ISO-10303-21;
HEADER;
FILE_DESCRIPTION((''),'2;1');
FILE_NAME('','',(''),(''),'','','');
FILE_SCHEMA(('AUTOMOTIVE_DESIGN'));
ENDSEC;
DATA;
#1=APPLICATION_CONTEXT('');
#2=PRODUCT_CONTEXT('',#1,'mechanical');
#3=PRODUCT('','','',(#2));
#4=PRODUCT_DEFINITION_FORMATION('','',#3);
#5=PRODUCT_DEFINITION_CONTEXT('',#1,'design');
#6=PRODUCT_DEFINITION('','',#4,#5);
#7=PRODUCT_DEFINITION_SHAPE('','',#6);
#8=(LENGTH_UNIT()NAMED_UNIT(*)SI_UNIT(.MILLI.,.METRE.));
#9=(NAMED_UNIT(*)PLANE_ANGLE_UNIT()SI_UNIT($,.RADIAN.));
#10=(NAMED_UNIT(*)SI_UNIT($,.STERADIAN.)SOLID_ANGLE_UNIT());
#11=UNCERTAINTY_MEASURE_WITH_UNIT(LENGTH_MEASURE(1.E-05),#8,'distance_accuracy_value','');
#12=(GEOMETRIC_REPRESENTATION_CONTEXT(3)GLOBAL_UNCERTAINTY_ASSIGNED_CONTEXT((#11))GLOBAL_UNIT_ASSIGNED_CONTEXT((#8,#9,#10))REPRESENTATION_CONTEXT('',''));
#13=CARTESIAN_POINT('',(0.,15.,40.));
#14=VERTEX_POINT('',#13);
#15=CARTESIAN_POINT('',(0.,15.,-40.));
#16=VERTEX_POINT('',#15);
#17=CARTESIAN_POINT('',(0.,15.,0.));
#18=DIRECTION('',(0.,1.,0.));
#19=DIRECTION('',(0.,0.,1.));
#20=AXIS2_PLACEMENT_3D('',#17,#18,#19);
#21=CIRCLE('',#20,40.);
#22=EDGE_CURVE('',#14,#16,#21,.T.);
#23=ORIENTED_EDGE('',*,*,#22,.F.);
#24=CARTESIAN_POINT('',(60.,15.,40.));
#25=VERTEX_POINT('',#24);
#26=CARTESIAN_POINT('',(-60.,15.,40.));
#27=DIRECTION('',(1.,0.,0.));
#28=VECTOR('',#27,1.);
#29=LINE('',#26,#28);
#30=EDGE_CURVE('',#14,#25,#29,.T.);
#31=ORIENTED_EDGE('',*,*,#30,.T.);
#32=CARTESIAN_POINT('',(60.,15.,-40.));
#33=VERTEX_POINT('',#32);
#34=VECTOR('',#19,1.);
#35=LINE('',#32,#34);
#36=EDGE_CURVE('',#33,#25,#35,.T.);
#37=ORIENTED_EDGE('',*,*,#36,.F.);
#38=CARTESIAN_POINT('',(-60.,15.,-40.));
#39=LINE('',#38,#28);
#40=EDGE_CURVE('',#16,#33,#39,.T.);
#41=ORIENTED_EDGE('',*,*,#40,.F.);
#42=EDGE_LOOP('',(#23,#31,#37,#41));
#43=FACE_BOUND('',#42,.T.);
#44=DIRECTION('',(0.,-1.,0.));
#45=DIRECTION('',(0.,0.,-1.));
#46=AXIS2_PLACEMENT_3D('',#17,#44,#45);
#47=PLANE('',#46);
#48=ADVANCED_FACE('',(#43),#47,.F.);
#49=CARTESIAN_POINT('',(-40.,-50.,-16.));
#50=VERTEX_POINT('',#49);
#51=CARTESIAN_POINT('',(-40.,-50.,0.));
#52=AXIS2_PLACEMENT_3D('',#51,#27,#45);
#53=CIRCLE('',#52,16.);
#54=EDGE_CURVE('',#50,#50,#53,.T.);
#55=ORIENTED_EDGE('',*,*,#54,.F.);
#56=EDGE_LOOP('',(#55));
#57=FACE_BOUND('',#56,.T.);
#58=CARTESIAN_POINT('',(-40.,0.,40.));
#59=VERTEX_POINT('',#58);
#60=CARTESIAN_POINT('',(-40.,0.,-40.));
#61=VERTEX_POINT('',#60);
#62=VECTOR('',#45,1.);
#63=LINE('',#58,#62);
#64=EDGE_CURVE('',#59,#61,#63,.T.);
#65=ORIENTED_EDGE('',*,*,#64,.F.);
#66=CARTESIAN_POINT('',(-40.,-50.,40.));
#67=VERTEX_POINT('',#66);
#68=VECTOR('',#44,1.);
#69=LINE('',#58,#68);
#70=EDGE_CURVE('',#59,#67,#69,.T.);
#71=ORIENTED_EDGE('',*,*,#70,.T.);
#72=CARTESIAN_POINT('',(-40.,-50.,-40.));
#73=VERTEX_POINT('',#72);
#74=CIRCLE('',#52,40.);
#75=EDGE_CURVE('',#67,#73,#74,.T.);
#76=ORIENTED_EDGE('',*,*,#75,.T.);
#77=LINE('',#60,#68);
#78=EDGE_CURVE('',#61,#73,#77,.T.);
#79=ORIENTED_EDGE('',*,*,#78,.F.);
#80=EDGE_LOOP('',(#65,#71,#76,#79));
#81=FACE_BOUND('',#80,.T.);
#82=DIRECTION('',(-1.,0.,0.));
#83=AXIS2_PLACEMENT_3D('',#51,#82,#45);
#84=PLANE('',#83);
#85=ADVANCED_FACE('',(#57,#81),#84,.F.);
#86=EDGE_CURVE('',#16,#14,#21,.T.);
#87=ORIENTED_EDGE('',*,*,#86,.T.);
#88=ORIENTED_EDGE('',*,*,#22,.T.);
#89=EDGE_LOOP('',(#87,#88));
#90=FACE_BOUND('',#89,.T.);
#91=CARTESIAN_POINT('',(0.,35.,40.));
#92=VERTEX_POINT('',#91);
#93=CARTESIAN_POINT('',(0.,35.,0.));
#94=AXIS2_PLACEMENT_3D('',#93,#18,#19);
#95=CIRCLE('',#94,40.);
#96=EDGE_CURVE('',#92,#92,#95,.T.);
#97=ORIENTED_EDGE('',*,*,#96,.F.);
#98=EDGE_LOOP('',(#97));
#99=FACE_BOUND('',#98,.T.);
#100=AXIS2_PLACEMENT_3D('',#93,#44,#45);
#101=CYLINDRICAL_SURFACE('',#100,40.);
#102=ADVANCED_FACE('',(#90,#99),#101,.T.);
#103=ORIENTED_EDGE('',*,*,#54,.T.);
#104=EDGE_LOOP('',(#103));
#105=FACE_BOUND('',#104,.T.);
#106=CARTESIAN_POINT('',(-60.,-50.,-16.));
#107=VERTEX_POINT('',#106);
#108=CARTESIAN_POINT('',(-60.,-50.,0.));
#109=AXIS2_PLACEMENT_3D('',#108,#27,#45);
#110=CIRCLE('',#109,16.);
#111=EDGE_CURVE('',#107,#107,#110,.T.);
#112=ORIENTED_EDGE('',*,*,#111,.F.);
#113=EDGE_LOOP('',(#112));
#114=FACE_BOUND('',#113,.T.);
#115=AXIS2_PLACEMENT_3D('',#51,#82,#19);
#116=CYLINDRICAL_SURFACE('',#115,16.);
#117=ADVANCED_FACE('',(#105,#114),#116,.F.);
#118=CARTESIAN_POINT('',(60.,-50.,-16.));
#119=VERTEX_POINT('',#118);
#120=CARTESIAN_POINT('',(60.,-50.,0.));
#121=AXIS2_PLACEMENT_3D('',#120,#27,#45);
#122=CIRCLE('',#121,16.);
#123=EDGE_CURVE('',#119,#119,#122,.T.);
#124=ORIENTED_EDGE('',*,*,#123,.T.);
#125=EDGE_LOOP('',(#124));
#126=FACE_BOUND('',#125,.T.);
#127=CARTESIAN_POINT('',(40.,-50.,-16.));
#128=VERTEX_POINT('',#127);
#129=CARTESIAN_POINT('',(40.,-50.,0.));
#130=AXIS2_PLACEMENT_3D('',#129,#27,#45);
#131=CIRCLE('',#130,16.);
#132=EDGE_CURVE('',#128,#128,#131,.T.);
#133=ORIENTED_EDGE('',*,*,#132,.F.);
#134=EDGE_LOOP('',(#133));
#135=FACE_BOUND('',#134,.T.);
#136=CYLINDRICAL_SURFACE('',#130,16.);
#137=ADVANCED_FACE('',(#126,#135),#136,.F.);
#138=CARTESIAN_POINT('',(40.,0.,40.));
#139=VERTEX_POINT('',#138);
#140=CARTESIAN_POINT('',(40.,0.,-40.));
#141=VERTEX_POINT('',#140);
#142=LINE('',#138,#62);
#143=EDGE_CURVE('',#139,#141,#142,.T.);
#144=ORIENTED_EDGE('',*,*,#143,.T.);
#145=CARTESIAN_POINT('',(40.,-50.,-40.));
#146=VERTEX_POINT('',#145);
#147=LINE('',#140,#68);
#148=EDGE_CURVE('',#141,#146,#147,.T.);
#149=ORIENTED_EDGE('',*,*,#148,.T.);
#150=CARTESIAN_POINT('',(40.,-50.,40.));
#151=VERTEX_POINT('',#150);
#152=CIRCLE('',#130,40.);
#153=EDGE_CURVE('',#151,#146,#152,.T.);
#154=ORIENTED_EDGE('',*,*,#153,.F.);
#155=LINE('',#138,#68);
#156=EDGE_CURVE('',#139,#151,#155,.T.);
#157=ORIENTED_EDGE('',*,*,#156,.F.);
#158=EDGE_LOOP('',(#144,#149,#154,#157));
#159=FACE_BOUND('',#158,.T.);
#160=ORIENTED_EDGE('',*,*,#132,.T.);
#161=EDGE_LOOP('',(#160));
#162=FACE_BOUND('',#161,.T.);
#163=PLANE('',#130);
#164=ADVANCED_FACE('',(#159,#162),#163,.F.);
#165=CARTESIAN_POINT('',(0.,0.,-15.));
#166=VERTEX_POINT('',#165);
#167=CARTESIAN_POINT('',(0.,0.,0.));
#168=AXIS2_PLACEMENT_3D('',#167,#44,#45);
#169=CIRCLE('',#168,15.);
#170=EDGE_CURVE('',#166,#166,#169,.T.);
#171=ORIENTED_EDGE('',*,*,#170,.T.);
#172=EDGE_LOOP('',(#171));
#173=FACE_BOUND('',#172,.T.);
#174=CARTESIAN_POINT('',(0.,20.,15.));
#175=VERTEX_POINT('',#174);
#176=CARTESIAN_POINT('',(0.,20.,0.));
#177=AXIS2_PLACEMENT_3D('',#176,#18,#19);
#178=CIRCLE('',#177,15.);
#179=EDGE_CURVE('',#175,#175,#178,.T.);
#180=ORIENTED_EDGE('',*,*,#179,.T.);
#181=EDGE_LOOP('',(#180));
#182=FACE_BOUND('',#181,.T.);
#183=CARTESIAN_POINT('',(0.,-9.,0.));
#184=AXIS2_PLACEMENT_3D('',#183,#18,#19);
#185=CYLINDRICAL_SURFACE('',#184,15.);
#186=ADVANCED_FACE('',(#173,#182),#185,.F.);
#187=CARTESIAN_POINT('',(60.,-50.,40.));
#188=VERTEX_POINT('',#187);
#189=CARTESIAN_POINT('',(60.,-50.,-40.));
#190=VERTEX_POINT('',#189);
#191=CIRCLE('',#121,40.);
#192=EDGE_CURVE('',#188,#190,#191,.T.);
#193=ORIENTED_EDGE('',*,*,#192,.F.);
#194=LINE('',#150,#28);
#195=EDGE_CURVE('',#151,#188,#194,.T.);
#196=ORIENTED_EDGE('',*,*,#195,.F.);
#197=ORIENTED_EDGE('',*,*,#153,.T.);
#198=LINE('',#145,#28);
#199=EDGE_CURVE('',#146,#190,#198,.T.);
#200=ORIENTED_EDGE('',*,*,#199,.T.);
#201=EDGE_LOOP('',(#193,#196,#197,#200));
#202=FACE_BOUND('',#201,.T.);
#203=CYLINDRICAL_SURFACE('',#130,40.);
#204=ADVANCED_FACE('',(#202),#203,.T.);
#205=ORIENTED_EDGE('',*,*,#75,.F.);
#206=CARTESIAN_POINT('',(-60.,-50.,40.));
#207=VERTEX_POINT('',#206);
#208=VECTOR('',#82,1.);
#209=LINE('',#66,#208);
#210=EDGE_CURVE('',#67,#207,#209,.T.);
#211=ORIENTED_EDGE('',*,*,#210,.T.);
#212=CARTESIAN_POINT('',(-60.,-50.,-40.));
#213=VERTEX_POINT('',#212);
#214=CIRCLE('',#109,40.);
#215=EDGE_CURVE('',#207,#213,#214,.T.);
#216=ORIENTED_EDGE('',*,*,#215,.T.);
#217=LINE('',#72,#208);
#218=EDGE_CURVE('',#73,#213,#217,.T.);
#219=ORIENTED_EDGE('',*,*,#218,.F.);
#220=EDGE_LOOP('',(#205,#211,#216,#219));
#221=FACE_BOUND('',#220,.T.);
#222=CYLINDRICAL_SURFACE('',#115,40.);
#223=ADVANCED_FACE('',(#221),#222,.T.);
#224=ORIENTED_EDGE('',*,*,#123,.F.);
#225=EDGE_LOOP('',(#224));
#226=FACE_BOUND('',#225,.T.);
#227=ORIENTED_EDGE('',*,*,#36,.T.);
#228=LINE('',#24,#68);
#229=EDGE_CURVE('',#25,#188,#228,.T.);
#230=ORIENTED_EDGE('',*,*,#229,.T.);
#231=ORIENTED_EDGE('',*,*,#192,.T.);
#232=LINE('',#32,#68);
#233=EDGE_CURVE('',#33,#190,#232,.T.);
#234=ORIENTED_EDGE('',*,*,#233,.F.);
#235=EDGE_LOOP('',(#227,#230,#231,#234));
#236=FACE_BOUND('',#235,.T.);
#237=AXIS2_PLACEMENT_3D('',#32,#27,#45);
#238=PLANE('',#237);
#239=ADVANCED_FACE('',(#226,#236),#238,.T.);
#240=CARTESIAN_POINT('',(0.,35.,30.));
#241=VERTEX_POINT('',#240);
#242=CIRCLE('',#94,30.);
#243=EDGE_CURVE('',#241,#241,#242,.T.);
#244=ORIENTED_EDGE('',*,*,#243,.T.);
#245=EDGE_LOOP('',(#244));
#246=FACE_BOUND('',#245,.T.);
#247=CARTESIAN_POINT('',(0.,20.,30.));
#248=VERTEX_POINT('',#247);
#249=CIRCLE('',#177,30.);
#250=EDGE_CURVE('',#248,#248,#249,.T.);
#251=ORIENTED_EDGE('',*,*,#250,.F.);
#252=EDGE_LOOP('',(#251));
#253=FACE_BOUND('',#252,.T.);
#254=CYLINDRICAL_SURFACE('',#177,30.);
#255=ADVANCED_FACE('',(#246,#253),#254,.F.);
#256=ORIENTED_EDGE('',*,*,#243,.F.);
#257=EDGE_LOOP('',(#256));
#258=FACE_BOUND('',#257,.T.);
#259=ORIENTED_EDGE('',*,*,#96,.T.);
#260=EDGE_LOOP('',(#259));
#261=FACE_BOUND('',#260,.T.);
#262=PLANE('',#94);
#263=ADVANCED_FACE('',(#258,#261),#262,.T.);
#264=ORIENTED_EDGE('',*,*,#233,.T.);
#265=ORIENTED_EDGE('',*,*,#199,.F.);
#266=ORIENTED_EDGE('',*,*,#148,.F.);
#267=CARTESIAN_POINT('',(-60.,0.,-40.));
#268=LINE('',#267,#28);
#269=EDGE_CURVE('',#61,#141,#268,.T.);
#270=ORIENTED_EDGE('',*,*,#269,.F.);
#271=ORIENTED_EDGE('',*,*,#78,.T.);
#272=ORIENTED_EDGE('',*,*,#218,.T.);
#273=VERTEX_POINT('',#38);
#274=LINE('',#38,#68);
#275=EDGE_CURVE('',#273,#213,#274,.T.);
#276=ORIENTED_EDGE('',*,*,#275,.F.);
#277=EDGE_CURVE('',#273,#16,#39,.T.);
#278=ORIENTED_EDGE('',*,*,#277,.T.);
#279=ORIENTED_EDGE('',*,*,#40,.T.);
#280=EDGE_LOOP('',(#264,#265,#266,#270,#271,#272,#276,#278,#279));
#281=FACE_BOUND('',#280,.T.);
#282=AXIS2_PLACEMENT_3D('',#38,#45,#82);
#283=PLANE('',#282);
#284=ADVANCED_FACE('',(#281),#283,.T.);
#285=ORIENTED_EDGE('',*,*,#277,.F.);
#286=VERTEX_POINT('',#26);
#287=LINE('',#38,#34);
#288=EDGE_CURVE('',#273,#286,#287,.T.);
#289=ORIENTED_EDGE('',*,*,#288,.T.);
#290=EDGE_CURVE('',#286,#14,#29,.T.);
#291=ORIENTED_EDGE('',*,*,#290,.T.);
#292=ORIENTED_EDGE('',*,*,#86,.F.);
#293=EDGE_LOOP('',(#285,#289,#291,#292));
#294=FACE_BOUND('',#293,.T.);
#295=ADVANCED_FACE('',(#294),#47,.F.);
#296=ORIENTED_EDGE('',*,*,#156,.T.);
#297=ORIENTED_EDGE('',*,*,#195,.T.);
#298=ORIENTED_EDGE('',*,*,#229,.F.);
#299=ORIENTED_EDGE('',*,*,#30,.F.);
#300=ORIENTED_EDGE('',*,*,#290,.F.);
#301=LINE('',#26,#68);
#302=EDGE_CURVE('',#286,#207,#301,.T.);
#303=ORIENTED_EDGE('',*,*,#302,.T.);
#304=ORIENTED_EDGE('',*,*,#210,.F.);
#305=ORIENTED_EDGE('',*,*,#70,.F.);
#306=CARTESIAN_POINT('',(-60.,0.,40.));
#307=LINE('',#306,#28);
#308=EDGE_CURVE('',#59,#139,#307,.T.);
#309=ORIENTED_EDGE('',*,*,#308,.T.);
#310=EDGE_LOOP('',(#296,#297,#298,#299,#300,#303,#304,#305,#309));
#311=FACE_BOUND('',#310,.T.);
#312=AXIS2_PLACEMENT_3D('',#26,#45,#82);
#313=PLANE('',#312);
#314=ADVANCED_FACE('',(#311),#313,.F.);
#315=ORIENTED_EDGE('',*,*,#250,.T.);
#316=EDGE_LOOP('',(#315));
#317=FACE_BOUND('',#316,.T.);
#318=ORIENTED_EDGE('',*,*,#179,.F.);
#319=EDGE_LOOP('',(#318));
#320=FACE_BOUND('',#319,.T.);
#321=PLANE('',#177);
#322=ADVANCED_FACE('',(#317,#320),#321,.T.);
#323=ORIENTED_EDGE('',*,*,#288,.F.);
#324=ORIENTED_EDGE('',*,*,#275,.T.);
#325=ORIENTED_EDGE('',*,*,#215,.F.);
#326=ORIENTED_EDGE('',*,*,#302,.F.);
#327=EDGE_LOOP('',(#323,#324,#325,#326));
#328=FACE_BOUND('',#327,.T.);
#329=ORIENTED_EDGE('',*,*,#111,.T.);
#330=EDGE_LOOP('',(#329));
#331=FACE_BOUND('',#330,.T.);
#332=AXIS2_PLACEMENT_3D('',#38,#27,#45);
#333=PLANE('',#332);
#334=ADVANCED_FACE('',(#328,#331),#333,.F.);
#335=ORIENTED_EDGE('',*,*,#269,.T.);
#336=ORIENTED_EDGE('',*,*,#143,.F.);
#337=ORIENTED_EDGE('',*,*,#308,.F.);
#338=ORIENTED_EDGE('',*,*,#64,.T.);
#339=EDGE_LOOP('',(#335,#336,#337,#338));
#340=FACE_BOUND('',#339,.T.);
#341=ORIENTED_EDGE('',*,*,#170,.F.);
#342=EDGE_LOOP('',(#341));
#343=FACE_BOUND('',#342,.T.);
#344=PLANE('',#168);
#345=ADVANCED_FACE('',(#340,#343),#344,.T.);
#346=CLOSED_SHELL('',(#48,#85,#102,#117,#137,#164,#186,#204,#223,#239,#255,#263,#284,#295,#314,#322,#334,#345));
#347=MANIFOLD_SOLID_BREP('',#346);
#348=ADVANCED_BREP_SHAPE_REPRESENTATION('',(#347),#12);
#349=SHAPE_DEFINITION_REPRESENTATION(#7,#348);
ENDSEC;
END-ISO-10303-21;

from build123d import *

# Parameters (mm, degrees)
SKETCH1_W           = 120
SKETCH1_H           = 80
BOSS_EXTRUDE1_DEPTH = 15
SKETCH2_R           = 40
BOSS_EXTRUDE2_DEPTH = 20
SKETCH3_R           = 30
CUT_EXTRUDE3_DEPTH  = 15
SKETCH4_R           = 15
CUT_EXTRUDE4_DEPTH  = 29
BOSS_EXTRUDE5_DEPTH = 20
SKETCH8_R           = 16
CUT_EXTRUDE6_DEPTH  = 20


with BuildPart() as part:
    # Sketch1 → Boss-Extrude1 (new body)
    with BuildSketch(Plane(origin=(0, 0, 0), x_dir=(1, 0, 0), z_dir=(0, 1, 0))):
        Rectangle(SKETCH1_W, SKETCH1_H)
    extrude(amount=BOSS_EXTRUDE1_DEPTH)

    # Sketch2 → Boss-Extrude2 (add)
    with BuildSketch(Plane(origin=(0, 15, 0), x_dir=(1, 0, 0), z_dir=(0, 1, 0))):
        with Locations(Location((0, 0, 0), (0, 0, 270))):
            Circle(SKETCH2_R)
    extrude(amount=BOSS_EXTRUDE2_DEPTH)

    # Sketch3 → Cut-Extrude3 (cut)
    with BuildSketch(Plane(origin=(0, 35, 0), x_dir=(1, 0, 0), z_dir=(0, 1, 0))):
        with Locations(Location((0, 0, 0), (0, 0, 270))):
            Circle(SKETCH3_R)
    extrude(amount=-CUT_EXTRUDE3_DEPTH, mode=Mode.SUBTRACT)

    # Sketch4 → Cut-Extrude4 (cut)
    with BuildSketch(Plane(origin=(0, 20, 0), x_dir=(1, 0, 0), z_dir=(0, 1, 0))):
        with Locations(Location((0, 0, 0), (0, 0, 270))):
            Circle(SKETCH4_R)
    extrude(amount=-CUT_EXTRUDE4_DEPTH, mode=Mode.SUBTRACT)

    # Sketch5 → Boss-Extrude5 (add)
    with BuildSketch(Plane(origin=(60, 0, 0), x_dir=(0, 0, -1), z_dir=(1, 0, 0))):
        with BuildLine():
            Line((-40, 0), (40, 0))
            Line((40, 0), (40, -50))
            ThreePointArc((40, -50), (0, -90), (-40, -50))
            Line((-40, -50), (-40, 0))
        make_face()
    boss_extrude5 = extrude(amount=-BOSS_EXTRUDE5_DEPTH)

    # Sketch8 → Cut-Extrude6 (cut)
    with BuildSketch(Plane(origin=(60, 0, 0), x_dir=(0, 0, -1), z_dir=(1, 0, 0))):
        with Locations((0, -50)):
            Circle(SKETCH8_R)
    cut_extrude6 = extrude(amount=-CUT_EXTRUDE6_DEPTH, mode=Mode.SUBTRACT)

    # Mirror1: Boss-Extrude5, Cut-Extrude6 across plane
    add(boss_extrude5.mirror(Plane(origin=(0, 0, 0), x_dir=(0, 0, 1), z_dir=(1, 0, 0))))
    add(cut_extrude6.mirror(Plane(origin=(0, 0, 0), x_dir=(0, 0, 1), z_dir=(1, 0, 0))), mode=Mode.SUBTRACT)


solid = part.part
